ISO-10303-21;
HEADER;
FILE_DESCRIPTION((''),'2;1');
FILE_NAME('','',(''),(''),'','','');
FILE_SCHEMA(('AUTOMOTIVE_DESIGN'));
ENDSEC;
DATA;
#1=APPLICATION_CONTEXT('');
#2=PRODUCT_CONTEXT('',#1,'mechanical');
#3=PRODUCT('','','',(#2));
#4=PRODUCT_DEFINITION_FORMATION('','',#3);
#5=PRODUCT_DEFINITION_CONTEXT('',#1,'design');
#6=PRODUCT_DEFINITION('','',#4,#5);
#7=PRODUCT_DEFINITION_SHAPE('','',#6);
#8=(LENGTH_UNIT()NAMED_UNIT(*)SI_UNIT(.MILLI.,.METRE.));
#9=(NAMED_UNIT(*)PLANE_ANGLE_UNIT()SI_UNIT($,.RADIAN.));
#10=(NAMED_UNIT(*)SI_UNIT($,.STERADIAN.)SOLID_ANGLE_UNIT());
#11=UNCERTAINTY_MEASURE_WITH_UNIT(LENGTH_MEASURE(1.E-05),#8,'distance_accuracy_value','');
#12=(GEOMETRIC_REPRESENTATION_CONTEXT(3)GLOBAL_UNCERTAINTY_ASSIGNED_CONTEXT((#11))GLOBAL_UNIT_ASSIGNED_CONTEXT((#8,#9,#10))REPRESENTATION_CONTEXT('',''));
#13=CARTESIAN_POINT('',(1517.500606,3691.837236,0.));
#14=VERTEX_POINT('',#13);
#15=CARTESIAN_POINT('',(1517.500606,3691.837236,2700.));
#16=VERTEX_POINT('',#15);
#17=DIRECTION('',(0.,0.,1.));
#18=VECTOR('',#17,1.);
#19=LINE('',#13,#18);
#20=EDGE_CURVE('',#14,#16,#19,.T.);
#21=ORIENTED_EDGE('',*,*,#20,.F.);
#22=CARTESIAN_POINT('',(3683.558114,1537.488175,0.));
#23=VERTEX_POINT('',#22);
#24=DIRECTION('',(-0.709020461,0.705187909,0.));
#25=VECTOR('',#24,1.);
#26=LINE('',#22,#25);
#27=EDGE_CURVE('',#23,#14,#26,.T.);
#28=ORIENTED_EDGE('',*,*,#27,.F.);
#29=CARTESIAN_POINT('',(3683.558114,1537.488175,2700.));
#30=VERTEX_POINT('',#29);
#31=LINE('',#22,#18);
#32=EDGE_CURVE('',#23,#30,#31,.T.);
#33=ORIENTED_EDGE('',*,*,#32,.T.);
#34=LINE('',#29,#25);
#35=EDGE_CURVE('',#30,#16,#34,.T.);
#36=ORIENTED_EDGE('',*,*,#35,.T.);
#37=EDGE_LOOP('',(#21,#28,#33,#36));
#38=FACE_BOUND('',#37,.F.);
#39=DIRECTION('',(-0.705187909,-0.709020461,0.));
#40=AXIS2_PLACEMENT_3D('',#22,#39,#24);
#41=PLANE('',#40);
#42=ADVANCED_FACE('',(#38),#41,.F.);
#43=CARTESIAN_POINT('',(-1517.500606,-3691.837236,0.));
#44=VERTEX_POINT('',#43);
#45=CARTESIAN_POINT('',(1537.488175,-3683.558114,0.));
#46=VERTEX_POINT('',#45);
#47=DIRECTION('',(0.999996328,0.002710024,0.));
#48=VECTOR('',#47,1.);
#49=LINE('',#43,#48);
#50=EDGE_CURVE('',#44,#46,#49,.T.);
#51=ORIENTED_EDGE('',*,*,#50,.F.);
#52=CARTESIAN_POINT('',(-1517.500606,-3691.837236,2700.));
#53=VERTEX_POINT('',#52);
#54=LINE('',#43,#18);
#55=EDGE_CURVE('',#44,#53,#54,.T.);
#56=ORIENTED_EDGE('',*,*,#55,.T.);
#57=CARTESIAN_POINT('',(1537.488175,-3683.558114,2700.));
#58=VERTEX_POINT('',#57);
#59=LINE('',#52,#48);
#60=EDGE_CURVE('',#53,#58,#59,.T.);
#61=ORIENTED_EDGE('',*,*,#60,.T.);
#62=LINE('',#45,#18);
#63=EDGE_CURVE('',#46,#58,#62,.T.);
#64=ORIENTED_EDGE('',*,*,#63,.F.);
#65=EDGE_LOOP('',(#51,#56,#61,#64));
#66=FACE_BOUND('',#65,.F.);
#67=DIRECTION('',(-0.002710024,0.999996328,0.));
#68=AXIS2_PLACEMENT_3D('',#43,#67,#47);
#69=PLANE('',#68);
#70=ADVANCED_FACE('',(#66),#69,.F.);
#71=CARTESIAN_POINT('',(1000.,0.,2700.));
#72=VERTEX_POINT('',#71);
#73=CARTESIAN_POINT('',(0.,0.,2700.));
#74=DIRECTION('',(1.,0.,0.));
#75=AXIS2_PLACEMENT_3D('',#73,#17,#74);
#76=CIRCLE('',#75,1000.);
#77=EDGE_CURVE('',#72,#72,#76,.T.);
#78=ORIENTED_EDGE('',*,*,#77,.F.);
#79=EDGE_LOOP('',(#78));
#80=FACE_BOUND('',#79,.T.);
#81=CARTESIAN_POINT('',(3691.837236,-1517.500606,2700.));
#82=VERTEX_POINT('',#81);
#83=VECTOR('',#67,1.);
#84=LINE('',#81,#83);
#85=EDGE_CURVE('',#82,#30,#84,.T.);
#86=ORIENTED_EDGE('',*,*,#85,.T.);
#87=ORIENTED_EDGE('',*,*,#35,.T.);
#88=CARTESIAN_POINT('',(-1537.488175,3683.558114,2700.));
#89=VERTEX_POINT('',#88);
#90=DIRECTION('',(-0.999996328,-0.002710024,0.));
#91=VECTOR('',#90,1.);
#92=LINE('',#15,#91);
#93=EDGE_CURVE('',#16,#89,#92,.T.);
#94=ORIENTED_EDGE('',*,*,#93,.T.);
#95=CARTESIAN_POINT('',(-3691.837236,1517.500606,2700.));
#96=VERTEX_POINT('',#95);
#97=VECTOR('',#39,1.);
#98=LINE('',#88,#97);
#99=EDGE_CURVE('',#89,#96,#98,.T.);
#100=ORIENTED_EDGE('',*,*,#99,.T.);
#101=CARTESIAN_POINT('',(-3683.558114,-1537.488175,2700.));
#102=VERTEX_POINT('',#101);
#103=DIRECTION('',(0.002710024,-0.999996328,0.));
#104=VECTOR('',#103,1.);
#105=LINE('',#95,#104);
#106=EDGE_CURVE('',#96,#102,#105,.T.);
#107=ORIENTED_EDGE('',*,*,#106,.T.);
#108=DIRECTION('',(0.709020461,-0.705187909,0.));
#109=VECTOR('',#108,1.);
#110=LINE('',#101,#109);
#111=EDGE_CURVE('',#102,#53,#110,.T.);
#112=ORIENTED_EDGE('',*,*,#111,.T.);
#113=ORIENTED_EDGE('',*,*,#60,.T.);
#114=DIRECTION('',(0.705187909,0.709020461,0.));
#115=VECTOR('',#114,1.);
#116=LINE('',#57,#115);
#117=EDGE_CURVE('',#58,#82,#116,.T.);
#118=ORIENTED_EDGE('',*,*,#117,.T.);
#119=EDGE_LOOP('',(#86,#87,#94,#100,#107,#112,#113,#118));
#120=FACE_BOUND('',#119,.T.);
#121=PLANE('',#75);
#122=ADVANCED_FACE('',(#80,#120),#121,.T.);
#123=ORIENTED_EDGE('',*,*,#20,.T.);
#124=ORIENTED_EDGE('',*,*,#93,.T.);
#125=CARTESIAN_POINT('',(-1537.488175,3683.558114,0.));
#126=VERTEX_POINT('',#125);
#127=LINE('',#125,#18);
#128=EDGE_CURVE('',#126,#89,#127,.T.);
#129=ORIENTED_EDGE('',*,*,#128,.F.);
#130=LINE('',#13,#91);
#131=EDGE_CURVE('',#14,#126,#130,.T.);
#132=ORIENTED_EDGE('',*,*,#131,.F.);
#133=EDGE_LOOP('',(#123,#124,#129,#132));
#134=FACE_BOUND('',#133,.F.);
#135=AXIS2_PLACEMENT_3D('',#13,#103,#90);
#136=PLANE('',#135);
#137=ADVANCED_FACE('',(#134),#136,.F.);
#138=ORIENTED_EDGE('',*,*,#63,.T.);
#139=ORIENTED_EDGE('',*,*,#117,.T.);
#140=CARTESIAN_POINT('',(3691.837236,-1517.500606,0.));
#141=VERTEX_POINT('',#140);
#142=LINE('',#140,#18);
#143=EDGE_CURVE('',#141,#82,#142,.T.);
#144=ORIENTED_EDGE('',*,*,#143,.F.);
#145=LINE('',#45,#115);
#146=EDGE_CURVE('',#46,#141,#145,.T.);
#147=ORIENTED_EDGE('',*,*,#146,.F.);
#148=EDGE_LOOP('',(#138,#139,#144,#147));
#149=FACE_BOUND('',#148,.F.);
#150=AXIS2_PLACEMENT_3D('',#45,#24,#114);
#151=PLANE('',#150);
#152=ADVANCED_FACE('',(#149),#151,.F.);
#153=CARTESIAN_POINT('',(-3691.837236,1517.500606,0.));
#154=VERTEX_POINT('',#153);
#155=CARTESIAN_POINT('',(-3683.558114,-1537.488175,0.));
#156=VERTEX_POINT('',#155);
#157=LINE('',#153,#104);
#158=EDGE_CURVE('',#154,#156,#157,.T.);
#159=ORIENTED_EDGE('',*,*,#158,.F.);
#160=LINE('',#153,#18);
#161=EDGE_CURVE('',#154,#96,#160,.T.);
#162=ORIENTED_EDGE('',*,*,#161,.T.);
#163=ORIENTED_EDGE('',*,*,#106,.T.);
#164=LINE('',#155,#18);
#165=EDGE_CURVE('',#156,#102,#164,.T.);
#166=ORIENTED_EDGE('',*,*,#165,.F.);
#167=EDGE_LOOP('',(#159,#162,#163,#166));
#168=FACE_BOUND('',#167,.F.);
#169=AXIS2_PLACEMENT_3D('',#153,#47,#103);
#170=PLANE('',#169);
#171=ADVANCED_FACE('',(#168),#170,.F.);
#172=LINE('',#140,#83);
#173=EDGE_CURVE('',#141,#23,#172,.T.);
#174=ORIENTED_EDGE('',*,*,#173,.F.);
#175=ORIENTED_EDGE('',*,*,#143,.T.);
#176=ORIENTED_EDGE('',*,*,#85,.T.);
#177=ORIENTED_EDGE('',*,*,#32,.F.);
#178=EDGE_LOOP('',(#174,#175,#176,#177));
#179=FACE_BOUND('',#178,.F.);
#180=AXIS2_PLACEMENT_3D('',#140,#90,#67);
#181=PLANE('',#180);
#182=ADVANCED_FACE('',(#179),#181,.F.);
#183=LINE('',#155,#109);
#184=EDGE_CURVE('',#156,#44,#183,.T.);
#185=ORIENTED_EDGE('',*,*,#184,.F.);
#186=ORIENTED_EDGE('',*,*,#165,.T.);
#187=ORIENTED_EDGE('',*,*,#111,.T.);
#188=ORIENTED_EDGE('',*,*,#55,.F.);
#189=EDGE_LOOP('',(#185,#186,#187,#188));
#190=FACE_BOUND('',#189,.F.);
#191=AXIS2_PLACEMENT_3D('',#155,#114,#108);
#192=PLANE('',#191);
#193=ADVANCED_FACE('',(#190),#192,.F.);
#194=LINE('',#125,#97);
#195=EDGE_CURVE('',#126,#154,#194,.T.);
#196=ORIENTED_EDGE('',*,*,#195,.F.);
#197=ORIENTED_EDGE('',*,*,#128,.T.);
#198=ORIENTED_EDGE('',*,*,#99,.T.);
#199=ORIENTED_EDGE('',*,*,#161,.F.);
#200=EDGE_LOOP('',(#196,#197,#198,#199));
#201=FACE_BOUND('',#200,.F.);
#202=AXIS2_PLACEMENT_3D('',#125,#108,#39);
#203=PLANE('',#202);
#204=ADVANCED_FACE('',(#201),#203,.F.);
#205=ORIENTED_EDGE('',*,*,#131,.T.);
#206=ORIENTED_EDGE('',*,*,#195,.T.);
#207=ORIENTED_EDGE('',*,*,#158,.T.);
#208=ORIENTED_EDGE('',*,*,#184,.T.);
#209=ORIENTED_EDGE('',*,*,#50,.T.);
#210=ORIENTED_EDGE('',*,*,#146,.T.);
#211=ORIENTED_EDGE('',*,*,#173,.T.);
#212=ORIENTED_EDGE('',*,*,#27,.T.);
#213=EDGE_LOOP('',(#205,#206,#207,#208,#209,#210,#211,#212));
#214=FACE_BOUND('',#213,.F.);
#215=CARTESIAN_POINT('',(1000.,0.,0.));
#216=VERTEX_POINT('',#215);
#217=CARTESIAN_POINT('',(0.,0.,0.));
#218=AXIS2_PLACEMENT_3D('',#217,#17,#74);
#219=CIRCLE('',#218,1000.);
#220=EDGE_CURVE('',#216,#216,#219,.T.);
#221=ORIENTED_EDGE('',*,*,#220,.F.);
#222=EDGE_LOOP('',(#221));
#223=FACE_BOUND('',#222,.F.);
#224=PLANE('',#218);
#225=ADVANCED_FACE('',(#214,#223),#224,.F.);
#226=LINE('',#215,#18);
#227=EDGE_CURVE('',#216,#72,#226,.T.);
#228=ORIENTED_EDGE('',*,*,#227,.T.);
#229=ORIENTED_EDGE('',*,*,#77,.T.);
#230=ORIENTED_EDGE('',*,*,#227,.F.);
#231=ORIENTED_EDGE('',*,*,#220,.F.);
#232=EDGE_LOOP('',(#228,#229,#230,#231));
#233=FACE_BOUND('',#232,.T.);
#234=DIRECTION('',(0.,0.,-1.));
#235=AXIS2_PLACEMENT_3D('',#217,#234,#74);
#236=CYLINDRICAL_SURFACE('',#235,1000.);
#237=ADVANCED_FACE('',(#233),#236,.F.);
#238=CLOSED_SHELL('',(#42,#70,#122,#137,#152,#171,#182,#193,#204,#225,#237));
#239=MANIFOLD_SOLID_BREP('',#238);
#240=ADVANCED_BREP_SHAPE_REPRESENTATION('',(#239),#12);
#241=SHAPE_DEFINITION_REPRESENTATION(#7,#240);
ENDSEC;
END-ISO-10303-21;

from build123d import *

# Parameters (mm, degrees)
F0_R     = 1000
F1_DEPTH = 2700


with BuildPart() as f1:
    # F0 (on Top) → F1 (new body)
    with BuildSketch(Plane.XY):
        Polygon((-3683.558114, -1537.488175), (-1517.500606, -3691.837236), (1537.488175, -3683.558114), (3691.837236, -1517.500606), (3683.558114, 1537.488175), (1517.500606, 3691.837236), (-1537.488175, 3683.558114), (-3691.837236, 1517.500606), align=None)
        Circle(F0_R, mode=Mode.SUBTRACT)
    extrude(amount=F1_DEPTH)


solid = f1.part
